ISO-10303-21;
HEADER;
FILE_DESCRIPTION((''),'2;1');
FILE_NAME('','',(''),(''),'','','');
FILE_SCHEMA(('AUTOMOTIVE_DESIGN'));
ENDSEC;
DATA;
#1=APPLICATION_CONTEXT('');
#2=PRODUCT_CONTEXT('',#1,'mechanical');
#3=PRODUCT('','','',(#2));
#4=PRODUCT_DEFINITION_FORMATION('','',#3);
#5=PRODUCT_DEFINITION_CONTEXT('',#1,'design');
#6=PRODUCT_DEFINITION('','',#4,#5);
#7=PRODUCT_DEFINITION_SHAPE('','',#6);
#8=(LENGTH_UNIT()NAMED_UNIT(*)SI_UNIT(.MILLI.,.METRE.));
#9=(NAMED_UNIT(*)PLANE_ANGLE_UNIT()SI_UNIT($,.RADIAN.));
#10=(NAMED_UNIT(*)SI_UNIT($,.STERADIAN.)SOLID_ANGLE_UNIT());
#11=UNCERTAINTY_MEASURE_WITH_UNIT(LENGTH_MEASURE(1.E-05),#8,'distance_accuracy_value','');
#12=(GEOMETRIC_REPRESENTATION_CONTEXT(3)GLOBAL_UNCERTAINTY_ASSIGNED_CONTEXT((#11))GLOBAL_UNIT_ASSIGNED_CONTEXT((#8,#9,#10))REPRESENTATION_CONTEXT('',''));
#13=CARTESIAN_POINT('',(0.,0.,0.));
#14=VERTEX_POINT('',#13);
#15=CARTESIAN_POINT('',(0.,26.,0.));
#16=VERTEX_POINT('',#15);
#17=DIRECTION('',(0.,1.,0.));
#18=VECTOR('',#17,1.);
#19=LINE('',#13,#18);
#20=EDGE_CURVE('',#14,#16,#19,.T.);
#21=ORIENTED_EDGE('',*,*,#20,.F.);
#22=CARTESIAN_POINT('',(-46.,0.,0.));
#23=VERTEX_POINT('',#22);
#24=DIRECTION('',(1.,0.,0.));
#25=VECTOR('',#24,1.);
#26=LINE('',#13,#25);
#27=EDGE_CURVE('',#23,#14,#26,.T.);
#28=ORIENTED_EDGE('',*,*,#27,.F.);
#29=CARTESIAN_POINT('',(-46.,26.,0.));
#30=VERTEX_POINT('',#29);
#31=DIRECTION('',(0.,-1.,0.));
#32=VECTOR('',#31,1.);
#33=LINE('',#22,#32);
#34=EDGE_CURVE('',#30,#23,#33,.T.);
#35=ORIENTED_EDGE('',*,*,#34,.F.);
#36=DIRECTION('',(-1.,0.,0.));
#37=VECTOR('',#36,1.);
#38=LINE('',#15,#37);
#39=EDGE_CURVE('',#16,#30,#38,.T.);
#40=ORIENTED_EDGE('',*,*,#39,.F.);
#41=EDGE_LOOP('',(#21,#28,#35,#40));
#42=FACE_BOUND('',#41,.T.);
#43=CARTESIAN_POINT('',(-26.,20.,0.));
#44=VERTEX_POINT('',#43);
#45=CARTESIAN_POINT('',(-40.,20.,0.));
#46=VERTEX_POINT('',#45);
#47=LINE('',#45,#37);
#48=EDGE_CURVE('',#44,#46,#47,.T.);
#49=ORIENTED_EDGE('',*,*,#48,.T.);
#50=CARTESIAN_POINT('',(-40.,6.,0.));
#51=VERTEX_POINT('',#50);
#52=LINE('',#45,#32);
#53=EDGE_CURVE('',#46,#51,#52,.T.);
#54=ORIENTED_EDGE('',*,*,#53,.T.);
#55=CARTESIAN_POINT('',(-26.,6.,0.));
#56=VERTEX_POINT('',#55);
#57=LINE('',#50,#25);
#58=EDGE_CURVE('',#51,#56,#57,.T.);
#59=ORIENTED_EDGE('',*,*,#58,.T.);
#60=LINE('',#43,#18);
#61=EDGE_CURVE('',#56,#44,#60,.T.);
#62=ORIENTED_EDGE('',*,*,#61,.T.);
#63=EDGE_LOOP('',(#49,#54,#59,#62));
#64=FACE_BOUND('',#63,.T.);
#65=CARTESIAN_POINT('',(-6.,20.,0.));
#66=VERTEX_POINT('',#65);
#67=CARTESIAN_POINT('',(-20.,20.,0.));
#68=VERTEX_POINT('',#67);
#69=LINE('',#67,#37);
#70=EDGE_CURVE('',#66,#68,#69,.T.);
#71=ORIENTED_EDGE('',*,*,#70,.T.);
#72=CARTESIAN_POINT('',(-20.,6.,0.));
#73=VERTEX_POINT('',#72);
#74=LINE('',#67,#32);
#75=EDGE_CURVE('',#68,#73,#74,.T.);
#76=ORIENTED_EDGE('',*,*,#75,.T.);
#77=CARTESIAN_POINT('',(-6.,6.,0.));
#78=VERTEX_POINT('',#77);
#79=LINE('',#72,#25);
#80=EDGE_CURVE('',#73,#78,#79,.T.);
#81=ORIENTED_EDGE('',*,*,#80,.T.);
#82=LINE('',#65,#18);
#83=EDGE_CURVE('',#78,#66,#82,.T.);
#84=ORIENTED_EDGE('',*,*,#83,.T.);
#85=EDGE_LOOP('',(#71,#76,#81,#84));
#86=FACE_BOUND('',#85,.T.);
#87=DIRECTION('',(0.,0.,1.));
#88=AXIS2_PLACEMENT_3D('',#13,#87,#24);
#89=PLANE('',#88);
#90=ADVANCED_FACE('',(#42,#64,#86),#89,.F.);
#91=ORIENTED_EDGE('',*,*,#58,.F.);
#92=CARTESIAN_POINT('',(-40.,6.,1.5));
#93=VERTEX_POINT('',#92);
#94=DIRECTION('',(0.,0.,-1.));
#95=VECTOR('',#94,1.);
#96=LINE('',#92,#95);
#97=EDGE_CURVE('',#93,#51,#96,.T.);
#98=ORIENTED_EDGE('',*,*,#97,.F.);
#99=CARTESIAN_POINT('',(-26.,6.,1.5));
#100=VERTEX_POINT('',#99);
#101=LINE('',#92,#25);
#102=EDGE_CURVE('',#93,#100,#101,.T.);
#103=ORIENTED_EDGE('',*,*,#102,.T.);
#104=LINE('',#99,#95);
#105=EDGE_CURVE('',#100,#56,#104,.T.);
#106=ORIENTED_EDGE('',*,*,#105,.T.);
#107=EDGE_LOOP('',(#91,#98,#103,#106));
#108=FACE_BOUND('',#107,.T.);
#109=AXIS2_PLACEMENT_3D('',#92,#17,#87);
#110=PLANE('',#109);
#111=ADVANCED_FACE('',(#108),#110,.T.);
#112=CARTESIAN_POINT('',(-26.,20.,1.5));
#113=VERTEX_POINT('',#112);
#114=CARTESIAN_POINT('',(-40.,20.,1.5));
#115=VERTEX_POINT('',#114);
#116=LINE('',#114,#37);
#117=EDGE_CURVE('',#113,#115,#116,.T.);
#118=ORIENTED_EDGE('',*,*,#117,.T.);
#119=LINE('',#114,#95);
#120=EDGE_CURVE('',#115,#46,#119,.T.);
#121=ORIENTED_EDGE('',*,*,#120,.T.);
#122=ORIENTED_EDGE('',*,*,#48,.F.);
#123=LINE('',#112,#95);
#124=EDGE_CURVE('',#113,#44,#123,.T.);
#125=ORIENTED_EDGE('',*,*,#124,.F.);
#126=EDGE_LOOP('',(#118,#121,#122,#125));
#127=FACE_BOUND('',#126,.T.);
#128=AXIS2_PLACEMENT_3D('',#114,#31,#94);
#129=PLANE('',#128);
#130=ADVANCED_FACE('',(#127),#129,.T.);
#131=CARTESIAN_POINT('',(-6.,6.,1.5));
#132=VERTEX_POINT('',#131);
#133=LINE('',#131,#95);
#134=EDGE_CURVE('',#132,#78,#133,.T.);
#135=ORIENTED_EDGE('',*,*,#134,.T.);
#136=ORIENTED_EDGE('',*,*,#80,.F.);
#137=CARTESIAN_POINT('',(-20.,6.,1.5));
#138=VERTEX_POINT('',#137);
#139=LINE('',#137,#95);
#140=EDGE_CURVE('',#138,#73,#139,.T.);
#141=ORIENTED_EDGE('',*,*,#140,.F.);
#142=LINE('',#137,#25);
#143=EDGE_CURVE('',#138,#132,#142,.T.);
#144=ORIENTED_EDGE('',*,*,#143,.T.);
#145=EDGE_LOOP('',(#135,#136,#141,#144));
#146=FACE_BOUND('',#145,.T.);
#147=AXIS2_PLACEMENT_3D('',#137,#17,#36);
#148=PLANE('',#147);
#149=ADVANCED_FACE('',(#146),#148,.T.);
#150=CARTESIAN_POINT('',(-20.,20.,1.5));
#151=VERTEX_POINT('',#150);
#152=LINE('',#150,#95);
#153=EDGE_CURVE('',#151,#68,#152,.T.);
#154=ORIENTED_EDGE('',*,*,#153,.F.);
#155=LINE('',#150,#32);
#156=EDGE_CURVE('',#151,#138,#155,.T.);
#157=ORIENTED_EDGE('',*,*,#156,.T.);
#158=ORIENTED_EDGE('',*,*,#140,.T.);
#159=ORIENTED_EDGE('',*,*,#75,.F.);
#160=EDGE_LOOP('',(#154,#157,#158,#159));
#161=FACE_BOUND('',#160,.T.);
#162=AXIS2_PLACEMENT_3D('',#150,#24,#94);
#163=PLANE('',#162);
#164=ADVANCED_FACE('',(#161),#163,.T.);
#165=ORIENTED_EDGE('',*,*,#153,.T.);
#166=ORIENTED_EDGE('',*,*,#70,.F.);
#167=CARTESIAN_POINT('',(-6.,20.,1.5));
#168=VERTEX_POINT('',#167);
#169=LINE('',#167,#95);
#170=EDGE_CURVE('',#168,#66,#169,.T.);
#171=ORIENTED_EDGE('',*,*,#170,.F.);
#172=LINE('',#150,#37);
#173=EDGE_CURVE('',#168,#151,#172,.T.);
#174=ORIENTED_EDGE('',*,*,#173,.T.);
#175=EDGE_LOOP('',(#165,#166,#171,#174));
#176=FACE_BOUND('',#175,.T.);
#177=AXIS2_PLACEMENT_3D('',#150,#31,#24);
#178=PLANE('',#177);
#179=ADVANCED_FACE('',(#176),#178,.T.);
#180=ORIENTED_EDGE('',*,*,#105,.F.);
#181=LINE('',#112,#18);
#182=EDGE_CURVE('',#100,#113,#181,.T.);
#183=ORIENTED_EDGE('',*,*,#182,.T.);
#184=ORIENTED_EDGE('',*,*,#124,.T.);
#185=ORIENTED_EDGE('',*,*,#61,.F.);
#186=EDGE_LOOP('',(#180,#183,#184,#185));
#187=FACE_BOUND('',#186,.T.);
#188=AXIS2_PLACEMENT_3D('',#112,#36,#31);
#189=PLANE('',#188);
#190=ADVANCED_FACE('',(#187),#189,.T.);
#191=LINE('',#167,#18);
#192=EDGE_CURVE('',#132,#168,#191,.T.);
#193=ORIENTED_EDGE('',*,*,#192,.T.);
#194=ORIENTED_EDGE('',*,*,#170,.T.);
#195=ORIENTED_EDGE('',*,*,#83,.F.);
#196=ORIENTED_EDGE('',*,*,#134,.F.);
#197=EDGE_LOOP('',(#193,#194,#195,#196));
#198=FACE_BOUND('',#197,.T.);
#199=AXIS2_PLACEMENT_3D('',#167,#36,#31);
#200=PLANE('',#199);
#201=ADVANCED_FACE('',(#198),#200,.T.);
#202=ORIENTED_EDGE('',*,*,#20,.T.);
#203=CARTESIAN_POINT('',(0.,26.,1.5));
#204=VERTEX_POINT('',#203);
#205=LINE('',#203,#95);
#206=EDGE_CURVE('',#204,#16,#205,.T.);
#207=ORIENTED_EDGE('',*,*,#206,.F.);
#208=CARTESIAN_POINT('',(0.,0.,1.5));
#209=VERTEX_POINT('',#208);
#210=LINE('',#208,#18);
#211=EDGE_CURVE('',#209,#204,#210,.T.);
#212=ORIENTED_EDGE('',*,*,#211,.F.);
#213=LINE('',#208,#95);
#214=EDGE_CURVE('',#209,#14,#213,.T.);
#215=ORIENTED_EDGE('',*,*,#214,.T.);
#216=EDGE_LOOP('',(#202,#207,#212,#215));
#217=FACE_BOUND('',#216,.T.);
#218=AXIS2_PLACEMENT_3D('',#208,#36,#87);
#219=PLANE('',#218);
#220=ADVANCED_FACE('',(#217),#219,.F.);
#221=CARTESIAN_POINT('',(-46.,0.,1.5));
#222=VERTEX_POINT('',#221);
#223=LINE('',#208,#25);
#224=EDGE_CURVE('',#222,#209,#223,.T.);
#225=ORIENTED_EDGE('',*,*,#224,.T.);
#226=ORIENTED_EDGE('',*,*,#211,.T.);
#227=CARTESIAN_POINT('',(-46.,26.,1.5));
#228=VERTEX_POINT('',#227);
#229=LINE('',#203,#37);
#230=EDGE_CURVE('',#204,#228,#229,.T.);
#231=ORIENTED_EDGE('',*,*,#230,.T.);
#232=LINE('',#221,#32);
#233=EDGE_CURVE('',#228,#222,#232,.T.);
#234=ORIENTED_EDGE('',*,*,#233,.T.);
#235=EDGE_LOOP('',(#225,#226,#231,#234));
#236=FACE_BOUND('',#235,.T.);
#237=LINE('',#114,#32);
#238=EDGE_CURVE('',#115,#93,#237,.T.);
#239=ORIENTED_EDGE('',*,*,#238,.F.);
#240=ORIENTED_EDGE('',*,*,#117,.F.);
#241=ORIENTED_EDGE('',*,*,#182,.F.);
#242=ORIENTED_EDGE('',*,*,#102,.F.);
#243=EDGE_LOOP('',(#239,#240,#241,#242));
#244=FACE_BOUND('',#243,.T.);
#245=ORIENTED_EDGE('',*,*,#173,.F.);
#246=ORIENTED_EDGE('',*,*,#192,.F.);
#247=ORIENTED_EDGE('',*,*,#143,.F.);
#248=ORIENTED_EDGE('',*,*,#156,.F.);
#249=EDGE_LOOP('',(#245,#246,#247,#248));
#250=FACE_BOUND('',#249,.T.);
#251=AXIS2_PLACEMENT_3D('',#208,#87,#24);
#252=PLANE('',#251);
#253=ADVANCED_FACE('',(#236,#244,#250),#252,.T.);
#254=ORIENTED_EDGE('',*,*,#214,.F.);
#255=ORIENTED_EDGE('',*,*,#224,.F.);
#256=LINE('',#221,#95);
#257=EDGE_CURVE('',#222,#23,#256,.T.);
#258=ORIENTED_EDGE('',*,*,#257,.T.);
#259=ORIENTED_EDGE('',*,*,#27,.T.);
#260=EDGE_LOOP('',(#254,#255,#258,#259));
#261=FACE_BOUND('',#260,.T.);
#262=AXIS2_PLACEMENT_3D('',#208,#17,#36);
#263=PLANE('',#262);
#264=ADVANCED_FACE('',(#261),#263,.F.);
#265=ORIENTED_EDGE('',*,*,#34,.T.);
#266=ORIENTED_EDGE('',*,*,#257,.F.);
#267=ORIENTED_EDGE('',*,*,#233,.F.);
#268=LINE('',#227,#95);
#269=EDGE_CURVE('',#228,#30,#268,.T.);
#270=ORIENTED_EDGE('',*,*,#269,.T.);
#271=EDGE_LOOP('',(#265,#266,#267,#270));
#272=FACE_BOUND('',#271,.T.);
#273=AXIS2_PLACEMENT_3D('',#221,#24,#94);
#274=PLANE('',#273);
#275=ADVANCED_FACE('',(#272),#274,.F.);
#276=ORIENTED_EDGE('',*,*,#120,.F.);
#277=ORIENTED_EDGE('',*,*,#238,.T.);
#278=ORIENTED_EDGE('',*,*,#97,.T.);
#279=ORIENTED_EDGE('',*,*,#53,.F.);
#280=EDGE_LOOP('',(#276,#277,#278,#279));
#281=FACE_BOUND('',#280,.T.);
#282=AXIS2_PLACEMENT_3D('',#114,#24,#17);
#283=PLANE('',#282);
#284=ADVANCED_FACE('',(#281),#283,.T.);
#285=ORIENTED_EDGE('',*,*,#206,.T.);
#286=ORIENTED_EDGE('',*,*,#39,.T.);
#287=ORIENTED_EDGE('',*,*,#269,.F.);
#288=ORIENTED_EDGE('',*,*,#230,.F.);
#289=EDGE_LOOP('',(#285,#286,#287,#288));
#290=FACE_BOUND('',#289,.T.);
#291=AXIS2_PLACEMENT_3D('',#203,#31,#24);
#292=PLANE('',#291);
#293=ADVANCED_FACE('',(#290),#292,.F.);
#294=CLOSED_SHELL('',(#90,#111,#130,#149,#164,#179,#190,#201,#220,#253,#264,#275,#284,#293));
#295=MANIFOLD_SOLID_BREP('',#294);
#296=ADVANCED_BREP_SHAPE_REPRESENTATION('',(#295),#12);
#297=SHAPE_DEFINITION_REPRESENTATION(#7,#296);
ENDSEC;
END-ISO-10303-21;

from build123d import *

# Parameters (mm, degrees)
SKETCH1_W           = 46
SKETCH1_H           = 26
SKETCH1_W_2         = 14
SKETCH1_H_2         = 14
BOSS_EXTRUDE1_DEPTH = 1.5


with BuildPart() as part:
    # Sketch1 → Boss-Extrude1 (new body)
    with BuildSketch(Plane.XY):
        with Locations((-23, 13)):
            Rectangle(SKETCH1_W, SKETCH1_H)
        with Locations((-33, 13)):
            Rectangle(SKETCH1_W_2, SKETCH1_H_2, mode=Mode.SUBTRACT)
        with Locations((-13, 13)):
            Rectangle(SKETCH1_W_2, SKETCH1_H_2, mode=Mode.SUBTRACT)
    extrude(amount=BOSS_EXTRUDE1_DEPTH)


solid = part.part
